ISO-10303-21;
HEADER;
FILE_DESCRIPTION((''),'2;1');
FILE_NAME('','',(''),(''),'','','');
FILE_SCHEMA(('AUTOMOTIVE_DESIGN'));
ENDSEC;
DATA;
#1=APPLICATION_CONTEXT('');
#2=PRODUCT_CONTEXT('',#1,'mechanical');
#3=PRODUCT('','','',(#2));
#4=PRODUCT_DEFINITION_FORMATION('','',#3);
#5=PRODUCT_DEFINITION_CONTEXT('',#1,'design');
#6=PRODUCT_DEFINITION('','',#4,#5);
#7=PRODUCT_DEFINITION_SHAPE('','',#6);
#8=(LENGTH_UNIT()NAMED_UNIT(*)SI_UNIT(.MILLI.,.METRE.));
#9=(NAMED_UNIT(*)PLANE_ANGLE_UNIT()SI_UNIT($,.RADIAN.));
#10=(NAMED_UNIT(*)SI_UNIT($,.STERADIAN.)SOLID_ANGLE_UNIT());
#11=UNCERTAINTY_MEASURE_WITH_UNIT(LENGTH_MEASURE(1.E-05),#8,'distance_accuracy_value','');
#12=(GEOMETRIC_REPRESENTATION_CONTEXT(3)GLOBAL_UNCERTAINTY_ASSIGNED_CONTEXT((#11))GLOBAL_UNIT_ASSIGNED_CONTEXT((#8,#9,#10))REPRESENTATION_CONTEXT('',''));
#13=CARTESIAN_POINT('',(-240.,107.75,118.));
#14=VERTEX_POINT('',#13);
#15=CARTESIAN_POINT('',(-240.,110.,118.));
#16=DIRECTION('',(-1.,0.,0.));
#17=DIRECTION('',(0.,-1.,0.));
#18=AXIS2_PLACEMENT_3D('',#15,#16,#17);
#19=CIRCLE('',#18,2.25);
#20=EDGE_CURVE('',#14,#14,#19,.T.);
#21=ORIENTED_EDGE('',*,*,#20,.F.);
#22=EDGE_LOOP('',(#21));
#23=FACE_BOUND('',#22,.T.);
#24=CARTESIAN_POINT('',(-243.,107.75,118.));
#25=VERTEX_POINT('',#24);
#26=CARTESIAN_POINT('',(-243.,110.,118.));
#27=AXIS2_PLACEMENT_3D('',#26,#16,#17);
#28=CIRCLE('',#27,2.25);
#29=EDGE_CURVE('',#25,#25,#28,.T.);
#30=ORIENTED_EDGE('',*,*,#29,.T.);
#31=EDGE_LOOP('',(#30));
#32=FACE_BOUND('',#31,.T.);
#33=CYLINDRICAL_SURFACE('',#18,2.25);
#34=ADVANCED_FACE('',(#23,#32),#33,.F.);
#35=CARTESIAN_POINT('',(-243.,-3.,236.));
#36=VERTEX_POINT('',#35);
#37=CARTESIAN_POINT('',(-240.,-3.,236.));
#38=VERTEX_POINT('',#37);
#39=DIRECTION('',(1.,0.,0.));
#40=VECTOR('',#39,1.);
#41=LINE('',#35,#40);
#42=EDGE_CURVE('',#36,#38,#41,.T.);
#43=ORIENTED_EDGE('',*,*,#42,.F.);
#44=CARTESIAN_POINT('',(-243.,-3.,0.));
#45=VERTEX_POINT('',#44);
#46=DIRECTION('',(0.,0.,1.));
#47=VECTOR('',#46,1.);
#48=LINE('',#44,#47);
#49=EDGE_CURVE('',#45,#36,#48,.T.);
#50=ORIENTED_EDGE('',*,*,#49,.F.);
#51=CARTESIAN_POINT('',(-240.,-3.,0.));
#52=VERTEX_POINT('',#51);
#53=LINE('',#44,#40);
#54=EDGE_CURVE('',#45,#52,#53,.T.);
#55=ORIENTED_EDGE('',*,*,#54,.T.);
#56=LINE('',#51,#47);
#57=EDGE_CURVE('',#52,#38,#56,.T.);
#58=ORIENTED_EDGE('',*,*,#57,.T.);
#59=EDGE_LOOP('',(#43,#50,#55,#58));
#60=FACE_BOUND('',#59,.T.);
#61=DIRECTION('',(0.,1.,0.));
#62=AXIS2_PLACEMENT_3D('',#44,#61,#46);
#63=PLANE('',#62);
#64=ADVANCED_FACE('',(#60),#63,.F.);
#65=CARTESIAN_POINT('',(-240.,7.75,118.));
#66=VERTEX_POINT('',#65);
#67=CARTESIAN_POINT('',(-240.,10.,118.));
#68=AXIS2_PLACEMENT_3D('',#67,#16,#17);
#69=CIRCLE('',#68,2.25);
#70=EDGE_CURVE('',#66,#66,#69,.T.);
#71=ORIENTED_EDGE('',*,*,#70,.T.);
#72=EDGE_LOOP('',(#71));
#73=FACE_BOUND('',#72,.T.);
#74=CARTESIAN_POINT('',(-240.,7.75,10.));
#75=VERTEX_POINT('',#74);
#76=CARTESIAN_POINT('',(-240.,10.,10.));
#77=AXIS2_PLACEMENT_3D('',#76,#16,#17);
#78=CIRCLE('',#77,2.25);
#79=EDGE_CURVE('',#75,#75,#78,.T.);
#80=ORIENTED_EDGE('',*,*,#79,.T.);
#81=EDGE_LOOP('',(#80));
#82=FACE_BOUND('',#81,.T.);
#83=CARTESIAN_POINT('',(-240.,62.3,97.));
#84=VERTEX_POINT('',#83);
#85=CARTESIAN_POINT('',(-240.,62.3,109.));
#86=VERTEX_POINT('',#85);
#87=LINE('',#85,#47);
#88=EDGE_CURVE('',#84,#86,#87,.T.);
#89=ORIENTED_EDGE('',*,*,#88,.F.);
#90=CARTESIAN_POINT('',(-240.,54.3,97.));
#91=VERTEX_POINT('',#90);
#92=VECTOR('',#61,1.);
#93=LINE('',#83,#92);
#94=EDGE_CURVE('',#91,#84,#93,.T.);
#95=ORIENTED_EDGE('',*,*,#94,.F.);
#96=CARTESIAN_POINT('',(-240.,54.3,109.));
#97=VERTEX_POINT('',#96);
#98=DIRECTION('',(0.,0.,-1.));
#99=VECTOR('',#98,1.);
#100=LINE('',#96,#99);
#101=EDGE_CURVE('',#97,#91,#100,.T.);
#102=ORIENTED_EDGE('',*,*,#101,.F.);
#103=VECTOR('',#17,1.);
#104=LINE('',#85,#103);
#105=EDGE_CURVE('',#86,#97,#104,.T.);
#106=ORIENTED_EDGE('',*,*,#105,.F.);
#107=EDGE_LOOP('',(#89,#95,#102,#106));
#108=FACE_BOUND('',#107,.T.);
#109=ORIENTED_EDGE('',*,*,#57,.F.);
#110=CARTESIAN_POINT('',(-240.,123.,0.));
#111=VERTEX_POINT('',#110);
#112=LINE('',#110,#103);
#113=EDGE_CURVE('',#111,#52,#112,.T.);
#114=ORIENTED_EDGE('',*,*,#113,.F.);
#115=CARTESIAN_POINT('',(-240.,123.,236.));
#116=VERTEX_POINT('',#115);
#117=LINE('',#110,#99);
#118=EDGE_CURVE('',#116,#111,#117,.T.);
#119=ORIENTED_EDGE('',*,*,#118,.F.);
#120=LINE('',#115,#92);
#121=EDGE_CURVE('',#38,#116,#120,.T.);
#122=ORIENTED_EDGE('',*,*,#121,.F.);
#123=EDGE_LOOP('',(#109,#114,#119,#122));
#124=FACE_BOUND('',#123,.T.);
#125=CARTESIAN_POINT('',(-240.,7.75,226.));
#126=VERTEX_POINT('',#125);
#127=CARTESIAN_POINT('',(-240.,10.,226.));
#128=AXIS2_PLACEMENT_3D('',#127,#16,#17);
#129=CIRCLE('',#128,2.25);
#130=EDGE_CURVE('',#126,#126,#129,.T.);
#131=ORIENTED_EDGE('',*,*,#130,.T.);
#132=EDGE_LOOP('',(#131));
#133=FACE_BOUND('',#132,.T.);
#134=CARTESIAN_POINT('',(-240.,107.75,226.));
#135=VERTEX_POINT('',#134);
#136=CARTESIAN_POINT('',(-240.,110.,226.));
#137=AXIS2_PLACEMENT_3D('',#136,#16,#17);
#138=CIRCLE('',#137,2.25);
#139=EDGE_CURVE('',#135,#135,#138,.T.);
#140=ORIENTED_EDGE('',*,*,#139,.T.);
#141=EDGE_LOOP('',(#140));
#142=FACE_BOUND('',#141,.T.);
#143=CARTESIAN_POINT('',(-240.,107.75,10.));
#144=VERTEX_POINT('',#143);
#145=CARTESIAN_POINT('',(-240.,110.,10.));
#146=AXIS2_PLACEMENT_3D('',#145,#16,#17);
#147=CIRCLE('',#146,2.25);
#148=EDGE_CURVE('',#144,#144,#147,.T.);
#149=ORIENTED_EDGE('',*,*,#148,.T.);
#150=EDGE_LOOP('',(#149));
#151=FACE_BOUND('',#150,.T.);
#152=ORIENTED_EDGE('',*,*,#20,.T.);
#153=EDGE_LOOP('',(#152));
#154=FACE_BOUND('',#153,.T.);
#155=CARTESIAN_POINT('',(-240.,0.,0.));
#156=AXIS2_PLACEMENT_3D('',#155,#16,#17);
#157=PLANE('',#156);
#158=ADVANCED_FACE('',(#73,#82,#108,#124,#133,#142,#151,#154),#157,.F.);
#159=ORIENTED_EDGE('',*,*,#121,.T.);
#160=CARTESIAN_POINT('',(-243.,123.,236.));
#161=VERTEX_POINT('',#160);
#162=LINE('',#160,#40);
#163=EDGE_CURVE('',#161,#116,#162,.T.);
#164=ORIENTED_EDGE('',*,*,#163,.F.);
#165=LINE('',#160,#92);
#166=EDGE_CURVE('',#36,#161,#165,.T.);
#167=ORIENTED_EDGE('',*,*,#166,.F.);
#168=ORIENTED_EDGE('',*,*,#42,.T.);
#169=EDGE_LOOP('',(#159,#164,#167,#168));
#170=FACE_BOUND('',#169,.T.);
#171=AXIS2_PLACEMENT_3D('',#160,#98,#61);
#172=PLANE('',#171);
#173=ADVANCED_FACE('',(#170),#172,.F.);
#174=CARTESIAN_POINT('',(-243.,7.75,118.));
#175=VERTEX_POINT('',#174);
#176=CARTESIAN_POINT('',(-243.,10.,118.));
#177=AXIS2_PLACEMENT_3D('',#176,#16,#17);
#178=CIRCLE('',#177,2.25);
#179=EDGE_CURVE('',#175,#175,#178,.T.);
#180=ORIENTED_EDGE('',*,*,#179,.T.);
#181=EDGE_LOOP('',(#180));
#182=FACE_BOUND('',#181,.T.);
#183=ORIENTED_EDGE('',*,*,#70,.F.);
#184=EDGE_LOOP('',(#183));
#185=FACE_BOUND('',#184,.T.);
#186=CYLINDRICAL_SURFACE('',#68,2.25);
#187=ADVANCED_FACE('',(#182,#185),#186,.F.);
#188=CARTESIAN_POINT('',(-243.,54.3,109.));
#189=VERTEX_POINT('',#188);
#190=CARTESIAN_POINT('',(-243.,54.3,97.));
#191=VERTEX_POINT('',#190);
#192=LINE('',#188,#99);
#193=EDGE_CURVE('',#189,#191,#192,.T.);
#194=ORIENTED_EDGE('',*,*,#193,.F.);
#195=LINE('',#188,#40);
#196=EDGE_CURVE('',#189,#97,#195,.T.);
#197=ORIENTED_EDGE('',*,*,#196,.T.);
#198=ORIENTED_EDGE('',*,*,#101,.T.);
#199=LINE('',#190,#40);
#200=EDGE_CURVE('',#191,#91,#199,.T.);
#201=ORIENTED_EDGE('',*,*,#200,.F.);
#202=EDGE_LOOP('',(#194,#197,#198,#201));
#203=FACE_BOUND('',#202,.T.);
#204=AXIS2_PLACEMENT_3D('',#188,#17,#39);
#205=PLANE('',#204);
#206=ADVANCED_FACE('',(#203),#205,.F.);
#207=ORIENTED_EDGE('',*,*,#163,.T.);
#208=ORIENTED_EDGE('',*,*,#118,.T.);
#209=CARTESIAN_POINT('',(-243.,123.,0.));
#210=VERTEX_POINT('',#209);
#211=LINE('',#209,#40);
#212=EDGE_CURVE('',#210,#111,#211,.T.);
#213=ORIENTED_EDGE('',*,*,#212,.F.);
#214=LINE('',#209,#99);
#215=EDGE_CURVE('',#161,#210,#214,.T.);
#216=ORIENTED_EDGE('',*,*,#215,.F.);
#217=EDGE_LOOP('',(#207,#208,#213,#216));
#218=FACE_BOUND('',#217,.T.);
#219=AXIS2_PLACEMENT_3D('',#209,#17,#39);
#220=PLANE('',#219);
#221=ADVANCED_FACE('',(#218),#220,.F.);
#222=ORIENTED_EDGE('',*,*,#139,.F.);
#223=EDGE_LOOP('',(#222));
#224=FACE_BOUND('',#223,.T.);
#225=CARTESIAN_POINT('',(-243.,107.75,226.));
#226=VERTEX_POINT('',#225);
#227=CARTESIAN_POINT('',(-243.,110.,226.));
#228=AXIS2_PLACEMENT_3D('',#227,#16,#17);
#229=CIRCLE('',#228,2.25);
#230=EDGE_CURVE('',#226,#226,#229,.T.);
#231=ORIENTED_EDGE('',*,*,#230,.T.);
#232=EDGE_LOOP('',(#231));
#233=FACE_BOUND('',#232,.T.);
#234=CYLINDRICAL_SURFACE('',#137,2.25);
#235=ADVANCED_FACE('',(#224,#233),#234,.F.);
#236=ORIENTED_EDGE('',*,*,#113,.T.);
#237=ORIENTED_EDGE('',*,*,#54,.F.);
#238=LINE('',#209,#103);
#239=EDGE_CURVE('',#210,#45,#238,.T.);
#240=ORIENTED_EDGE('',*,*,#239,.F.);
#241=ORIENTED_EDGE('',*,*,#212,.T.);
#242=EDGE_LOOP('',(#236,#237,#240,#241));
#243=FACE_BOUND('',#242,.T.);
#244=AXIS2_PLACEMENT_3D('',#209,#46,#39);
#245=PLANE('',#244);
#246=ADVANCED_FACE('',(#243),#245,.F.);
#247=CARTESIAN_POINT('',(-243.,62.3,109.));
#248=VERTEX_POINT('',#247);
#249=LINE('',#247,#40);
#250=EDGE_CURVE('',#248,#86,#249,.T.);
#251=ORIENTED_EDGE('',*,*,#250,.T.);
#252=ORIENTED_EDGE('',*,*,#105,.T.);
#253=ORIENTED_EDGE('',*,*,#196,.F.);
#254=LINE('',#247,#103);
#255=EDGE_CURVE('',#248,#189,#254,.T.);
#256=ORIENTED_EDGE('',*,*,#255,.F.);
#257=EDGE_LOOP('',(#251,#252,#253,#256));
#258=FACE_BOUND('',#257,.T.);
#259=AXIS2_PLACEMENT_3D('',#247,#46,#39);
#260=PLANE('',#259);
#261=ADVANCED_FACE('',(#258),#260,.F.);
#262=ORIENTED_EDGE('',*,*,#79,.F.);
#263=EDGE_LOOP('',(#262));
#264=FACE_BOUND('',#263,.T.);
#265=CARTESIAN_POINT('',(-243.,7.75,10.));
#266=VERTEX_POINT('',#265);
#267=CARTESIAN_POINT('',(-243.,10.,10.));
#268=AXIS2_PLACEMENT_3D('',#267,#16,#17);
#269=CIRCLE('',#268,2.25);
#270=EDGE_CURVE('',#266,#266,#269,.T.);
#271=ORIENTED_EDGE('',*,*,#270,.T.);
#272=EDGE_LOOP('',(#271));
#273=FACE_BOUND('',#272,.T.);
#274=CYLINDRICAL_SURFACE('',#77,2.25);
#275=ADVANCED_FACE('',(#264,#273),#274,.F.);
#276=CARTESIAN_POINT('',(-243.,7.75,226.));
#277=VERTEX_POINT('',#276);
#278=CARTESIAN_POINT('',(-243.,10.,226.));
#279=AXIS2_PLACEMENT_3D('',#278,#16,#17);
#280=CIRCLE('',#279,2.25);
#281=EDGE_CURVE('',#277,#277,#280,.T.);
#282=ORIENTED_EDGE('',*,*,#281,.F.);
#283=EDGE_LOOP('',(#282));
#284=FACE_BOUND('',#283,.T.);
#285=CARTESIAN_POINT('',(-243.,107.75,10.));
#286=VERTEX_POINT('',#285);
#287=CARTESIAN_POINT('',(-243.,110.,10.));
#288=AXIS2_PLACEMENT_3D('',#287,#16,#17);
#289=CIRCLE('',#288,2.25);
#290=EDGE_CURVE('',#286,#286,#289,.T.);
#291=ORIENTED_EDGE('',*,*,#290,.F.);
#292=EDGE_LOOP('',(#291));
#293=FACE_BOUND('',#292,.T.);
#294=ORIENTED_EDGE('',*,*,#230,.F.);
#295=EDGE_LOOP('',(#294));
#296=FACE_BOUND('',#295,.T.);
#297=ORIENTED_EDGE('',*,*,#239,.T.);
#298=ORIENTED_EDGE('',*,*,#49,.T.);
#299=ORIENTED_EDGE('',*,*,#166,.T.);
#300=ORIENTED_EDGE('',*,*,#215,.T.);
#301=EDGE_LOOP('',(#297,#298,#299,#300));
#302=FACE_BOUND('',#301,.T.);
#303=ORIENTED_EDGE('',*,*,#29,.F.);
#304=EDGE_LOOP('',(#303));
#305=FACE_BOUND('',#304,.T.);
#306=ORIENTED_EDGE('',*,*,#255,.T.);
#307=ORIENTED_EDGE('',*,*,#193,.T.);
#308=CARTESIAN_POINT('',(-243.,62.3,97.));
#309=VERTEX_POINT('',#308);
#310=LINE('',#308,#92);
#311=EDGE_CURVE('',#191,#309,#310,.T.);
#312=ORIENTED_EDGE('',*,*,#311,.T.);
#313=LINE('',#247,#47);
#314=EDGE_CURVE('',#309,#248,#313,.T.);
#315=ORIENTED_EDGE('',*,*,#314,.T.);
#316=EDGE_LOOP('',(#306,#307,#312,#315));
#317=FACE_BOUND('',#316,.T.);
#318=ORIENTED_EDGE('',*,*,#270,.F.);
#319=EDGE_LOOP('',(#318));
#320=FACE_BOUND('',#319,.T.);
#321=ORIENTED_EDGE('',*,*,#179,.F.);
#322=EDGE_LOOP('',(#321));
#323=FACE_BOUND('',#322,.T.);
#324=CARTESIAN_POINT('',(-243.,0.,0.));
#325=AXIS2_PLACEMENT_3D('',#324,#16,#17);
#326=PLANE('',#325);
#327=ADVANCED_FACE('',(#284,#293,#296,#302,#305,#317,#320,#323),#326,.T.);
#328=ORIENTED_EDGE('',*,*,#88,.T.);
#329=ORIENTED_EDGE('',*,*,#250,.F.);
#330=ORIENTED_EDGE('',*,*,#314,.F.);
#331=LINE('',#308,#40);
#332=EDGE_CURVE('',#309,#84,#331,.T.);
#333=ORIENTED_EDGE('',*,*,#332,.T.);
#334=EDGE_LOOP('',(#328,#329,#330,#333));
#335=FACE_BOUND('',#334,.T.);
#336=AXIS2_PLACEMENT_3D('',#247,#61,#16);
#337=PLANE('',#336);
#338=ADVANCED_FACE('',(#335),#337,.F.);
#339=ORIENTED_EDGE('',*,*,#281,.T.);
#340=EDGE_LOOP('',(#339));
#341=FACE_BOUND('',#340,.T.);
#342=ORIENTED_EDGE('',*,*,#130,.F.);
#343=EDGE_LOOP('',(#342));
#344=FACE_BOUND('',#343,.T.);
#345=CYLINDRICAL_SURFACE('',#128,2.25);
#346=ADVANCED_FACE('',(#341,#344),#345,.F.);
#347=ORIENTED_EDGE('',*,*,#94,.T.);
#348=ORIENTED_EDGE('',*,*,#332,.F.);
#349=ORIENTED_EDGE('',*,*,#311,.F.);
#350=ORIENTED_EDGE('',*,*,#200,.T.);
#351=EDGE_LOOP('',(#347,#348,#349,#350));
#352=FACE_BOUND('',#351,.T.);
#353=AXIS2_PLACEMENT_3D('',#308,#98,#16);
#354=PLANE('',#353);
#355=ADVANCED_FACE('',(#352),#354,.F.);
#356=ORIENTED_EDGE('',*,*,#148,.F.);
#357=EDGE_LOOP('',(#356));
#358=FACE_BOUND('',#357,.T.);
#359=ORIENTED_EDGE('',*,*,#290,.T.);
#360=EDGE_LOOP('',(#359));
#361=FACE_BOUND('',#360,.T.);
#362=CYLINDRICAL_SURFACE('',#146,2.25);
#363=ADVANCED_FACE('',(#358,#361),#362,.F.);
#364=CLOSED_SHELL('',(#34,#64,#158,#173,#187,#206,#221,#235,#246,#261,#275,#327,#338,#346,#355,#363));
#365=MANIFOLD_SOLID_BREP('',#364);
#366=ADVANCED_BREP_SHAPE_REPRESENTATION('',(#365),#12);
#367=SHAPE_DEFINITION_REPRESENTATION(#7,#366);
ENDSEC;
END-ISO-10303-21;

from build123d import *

# Parameters (mm, degrees)
SKETCH_1_W          = 236
SKETCH_1_H          = 126
EXTRUDE_1_DEPTH     = 3
SKETCH_2_R          = 2.25
CUT_EXTRUDE_1_DEPTH = 4
SKETCH_3_W          = 12
SKETCH_3_H          = 8
CUT_EXTRUDE_2_DEPTH = 4


with BuildPart() as part:
    # Эскиз1 → Бобышка-Вытянуть1 (new body)
    with BuildSketch(Plane.ZY.offset(240)):
        with Locations((118, 60)):
            Rectangle(SKETCH_1_W, SKETCH_1_H)
    extrude(amount=EXTRUDE_1_DEPTH)

    # Эскиз2 → Вырез-Вытянуть1 (cut, through all)
    with BuildSketch(Plane.ZY.offset(243)):
        with Locations((226, 110)):
            Circle(SKETCH_2_R)
        with Locations((118, 110)):
            Circle(SKETCH_2_R)
        with Locations((10, 110)):
            Circle(SKETCH_2_R)
        with Locations((226, 10)):
            Circle(SKETCH_2_R)
        with Locations((118, 10)):
            Circle(SKETCH_2_R)
        with Locations((10, 10)):
            Circle(SKETCH_2_R)
    extrude(amount=-CUT_EXTRUDE_1_DEPTH, mode=Mode.SUBTRACT)

    # Эскиз3 → Вырез-Вытянуть2 (cut, through all)
    with BuildSketch(Plane(origin=(-240, 0, 0), x_dir=(0, 0, -1), z_dir=(1, 0, 0))):
        with Locations((-103, 58.3)):
            Rectangle(SKETCH_3_W, SKETCH_3_H)
    extrude(amount=-CUT_EXTRUDE_2_DEPTH, mode=Mode.SUBTRACT)


solid = part.part
